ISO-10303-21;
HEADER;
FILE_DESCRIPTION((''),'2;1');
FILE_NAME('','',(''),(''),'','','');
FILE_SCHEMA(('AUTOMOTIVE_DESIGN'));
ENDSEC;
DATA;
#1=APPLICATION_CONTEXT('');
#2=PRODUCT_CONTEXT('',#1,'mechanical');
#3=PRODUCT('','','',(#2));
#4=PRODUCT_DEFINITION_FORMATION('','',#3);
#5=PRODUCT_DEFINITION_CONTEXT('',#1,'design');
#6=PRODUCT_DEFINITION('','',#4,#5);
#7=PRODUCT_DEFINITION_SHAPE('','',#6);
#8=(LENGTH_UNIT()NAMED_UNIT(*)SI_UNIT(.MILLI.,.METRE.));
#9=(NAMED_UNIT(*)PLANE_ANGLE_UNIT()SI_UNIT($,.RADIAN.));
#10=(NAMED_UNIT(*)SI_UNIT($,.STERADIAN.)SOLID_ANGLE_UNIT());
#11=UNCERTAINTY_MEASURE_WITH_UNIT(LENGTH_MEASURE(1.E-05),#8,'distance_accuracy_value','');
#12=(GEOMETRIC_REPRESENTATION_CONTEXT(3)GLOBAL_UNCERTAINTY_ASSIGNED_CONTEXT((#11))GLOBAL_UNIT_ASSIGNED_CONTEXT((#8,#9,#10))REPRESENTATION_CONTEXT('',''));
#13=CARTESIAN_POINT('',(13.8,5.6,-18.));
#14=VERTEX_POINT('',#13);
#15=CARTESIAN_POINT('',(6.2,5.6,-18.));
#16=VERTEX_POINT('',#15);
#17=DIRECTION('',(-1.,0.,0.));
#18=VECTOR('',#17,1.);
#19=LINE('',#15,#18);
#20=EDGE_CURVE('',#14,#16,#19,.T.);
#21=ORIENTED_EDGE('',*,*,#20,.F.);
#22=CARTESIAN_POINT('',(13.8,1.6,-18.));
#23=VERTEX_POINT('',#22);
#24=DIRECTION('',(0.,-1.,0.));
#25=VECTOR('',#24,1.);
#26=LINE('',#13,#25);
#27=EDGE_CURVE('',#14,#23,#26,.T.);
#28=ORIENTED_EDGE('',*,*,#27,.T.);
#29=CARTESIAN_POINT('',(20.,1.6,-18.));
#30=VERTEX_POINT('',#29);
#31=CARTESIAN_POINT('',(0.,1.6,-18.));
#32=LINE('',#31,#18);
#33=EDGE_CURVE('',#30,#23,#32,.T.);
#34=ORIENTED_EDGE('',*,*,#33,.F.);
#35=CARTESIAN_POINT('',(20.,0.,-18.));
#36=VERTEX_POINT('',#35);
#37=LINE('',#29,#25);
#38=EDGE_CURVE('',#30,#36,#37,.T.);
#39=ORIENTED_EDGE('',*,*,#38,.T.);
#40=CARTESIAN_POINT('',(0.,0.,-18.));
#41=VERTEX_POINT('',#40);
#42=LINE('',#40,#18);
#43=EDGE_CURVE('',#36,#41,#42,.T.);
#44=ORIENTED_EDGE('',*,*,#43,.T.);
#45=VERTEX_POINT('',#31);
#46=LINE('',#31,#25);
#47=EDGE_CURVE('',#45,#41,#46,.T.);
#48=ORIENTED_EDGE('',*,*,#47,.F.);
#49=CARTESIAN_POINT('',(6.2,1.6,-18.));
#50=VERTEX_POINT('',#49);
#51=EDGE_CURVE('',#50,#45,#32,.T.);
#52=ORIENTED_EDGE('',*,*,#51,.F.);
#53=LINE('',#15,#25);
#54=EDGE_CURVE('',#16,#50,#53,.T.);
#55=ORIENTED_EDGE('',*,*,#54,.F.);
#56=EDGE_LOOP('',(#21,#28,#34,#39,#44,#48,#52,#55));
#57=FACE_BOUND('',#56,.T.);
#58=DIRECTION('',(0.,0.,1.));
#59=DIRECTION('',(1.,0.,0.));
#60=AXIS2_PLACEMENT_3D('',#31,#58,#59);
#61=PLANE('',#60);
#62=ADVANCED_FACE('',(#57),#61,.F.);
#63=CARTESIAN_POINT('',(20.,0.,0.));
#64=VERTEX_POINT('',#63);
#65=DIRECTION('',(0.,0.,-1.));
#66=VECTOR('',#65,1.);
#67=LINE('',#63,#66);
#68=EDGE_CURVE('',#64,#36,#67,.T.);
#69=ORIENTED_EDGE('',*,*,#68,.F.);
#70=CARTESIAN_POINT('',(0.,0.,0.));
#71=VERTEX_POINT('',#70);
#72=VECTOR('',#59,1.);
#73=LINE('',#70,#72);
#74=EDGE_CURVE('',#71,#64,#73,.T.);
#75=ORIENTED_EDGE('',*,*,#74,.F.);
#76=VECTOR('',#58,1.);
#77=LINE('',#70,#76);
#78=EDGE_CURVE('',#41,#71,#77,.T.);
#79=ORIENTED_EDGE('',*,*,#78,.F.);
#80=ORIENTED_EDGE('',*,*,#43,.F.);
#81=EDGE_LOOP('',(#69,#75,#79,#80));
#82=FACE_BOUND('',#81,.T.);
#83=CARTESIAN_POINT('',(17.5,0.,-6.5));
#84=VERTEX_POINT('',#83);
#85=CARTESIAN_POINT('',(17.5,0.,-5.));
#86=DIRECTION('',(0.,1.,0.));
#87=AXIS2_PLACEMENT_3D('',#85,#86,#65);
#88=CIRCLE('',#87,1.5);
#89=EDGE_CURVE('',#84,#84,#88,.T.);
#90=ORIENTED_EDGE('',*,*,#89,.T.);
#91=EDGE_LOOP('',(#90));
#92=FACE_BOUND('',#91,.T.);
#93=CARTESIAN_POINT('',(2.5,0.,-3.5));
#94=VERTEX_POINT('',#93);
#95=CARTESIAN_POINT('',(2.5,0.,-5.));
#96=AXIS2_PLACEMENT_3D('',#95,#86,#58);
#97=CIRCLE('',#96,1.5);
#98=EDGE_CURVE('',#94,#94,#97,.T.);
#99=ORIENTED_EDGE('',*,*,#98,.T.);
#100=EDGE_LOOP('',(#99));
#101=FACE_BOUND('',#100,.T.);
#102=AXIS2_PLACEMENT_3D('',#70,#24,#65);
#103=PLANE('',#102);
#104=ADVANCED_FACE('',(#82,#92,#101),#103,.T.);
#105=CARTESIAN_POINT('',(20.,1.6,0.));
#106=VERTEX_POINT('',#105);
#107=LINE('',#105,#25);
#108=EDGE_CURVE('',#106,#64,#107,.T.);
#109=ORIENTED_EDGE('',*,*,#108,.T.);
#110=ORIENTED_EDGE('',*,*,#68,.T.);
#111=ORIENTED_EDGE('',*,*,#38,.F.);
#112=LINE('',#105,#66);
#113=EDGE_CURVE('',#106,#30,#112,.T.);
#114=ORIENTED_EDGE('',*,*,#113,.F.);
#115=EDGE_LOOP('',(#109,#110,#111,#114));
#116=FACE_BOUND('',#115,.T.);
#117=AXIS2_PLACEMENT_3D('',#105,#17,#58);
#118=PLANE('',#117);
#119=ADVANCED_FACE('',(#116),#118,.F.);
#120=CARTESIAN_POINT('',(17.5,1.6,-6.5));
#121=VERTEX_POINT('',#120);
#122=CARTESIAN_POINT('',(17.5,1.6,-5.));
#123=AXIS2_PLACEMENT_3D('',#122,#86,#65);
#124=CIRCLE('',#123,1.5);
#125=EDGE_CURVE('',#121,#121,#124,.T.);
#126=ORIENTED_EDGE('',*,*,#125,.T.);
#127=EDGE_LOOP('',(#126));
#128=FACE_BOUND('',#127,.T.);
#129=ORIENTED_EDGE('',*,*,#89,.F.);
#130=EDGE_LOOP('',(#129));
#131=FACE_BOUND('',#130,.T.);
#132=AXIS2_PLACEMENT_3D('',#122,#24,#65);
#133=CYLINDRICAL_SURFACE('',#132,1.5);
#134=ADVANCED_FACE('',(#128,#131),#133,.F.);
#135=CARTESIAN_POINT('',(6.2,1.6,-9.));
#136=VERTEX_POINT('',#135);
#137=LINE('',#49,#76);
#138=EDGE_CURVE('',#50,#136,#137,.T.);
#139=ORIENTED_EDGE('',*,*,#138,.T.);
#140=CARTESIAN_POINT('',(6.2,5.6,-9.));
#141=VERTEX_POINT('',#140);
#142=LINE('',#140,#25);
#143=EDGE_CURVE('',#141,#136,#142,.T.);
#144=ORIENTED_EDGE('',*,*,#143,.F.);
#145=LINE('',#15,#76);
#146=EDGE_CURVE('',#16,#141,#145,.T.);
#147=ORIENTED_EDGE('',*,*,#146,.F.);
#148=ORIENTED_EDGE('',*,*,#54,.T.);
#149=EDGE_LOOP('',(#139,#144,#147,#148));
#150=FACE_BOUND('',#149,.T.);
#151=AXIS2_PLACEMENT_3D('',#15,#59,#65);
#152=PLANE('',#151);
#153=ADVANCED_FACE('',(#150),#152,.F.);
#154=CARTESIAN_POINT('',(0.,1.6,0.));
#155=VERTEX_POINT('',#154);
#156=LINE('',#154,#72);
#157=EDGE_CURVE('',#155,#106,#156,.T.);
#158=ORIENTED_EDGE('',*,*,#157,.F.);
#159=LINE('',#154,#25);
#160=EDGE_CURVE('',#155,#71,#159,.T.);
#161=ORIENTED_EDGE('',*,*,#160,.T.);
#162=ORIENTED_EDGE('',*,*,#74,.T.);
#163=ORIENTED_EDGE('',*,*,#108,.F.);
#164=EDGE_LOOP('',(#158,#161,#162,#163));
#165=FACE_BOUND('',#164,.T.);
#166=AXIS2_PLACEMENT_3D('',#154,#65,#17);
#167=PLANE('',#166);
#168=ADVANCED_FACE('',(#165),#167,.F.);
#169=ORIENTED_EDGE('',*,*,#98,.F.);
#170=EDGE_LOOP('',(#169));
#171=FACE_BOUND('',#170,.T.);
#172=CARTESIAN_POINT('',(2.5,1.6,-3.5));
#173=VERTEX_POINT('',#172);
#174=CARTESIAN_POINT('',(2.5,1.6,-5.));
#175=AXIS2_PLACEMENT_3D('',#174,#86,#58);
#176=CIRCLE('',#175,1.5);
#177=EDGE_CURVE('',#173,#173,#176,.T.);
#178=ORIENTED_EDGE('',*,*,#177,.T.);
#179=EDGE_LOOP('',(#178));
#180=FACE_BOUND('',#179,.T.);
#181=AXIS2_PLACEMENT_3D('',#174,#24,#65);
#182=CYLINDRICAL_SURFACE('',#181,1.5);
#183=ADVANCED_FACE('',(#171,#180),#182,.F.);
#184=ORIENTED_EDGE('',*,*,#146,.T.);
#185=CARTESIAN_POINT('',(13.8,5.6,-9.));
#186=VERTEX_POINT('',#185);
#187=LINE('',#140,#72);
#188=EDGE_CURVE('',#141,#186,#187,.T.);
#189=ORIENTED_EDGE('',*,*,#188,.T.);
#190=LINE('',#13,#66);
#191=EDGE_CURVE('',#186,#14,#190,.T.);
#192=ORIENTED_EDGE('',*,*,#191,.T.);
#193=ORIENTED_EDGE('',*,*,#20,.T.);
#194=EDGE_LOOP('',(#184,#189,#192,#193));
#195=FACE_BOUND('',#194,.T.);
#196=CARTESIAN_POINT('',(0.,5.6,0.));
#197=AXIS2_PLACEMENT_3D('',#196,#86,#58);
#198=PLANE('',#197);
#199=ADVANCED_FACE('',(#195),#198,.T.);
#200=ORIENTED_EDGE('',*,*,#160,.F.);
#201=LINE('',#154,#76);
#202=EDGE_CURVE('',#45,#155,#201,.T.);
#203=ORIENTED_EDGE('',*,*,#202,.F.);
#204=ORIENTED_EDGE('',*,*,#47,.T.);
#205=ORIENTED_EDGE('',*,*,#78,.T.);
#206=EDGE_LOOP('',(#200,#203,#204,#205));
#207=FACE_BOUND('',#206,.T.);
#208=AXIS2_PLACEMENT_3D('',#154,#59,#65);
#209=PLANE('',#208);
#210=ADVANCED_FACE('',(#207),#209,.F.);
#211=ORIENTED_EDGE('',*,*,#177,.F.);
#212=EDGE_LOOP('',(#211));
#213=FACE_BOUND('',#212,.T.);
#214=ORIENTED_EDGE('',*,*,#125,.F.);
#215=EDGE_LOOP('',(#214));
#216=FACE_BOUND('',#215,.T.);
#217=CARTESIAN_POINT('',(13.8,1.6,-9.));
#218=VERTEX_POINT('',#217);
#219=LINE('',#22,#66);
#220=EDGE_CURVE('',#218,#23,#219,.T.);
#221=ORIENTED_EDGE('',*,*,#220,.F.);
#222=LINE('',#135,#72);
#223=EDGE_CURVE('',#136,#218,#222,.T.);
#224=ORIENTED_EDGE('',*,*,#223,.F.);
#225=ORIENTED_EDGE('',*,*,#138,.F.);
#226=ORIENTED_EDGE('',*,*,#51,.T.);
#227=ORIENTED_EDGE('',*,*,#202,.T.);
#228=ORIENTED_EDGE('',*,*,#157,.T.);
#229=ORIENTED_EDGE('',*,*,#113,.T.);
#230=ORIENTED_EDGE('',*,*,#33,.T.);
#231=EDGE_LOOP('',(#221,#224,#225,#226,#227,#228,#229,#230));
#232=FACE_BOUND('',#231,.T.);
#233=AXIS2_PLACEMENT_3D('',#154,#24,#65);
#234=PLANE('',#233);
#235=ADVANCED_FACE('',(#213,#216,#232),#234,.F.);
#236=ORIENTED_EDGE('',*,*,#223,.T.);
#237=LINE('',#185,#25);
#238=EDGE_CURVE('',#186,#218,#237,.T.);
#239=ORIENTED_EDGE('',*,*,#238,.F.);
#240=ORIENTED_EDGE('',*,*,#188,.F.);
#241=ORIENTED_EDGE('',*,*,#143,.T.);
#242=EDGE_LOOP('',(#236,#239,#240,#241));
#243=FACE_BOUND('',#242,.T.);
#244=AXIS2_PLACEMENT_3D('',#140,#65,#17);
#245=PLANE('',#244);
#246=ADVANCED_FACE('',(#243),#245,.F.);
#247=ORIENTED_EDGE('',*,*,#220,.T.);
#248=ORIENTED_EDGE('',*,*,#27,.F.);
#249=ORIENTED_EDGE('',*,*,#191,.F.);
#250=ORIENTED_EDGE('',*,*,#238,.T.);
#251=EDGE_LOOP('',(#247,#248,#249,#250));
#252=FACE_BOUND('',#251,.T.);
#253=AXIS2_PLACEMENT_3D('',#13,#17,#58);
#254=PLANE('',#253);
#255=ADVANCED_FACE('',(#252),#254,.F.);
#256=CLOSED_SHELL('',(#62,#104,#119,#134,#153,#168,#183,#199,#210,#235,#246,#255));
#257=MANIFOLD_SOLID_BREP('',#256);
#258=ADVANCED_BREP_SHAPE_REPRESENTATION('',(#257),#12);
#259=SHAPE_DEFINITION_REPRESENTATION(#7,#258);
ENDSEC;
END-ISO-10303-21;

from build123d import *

# Parameters (mm, degrees)
SKETCH_1_W      = 20
SKETCH_1_H      = 18
SKETCH_1_R      = 1.5
EXTRUDE_1_DEPTH = 1.6
SKETCH_2_W      = 7.6
SKETCH_2_H      = 9
EXTRUDE_2_DEPTH = 4


with BuildPart() as part:
    # 草图1 → 凸台-拉伸1 (new body)
    with BuildSketch(Plane(origin=(0, 0, 0), x_dir=(1, 0, 0), z_dir=(0, 1, 0))):
        with Locations((10, 9)):
            Rectangle(SKETCH_1_W, SKETCH_1_H)
        with Locations(Location((2.5, 5, 0), (0, 0, 270))):
            Circle(SKETCH_1_R, mode=Mode.SUBTRACT)
        with Locations(Location((17.5, 5, 0), (0, 0, 90))):
            Circle(SKETCH_1_R, mode=Mode.SUBTRACT)
    extrude(amount=EXTRUDE_1_DEPTH)

    # 草图2 → 凸台-拉伸2 (add)
    with BuildSketch(Plane(origin=(0, 1.6, 0), x_dir=(1, 0, 0), z_dir=(0, 1, 0))):
        with Locations((10, 13.5)):
            Rectangle(SKETCH_2_W, SKETCH_2_H)
    extrude(amount=EXTRUDE_2_DEPTH)


solid = part.part
